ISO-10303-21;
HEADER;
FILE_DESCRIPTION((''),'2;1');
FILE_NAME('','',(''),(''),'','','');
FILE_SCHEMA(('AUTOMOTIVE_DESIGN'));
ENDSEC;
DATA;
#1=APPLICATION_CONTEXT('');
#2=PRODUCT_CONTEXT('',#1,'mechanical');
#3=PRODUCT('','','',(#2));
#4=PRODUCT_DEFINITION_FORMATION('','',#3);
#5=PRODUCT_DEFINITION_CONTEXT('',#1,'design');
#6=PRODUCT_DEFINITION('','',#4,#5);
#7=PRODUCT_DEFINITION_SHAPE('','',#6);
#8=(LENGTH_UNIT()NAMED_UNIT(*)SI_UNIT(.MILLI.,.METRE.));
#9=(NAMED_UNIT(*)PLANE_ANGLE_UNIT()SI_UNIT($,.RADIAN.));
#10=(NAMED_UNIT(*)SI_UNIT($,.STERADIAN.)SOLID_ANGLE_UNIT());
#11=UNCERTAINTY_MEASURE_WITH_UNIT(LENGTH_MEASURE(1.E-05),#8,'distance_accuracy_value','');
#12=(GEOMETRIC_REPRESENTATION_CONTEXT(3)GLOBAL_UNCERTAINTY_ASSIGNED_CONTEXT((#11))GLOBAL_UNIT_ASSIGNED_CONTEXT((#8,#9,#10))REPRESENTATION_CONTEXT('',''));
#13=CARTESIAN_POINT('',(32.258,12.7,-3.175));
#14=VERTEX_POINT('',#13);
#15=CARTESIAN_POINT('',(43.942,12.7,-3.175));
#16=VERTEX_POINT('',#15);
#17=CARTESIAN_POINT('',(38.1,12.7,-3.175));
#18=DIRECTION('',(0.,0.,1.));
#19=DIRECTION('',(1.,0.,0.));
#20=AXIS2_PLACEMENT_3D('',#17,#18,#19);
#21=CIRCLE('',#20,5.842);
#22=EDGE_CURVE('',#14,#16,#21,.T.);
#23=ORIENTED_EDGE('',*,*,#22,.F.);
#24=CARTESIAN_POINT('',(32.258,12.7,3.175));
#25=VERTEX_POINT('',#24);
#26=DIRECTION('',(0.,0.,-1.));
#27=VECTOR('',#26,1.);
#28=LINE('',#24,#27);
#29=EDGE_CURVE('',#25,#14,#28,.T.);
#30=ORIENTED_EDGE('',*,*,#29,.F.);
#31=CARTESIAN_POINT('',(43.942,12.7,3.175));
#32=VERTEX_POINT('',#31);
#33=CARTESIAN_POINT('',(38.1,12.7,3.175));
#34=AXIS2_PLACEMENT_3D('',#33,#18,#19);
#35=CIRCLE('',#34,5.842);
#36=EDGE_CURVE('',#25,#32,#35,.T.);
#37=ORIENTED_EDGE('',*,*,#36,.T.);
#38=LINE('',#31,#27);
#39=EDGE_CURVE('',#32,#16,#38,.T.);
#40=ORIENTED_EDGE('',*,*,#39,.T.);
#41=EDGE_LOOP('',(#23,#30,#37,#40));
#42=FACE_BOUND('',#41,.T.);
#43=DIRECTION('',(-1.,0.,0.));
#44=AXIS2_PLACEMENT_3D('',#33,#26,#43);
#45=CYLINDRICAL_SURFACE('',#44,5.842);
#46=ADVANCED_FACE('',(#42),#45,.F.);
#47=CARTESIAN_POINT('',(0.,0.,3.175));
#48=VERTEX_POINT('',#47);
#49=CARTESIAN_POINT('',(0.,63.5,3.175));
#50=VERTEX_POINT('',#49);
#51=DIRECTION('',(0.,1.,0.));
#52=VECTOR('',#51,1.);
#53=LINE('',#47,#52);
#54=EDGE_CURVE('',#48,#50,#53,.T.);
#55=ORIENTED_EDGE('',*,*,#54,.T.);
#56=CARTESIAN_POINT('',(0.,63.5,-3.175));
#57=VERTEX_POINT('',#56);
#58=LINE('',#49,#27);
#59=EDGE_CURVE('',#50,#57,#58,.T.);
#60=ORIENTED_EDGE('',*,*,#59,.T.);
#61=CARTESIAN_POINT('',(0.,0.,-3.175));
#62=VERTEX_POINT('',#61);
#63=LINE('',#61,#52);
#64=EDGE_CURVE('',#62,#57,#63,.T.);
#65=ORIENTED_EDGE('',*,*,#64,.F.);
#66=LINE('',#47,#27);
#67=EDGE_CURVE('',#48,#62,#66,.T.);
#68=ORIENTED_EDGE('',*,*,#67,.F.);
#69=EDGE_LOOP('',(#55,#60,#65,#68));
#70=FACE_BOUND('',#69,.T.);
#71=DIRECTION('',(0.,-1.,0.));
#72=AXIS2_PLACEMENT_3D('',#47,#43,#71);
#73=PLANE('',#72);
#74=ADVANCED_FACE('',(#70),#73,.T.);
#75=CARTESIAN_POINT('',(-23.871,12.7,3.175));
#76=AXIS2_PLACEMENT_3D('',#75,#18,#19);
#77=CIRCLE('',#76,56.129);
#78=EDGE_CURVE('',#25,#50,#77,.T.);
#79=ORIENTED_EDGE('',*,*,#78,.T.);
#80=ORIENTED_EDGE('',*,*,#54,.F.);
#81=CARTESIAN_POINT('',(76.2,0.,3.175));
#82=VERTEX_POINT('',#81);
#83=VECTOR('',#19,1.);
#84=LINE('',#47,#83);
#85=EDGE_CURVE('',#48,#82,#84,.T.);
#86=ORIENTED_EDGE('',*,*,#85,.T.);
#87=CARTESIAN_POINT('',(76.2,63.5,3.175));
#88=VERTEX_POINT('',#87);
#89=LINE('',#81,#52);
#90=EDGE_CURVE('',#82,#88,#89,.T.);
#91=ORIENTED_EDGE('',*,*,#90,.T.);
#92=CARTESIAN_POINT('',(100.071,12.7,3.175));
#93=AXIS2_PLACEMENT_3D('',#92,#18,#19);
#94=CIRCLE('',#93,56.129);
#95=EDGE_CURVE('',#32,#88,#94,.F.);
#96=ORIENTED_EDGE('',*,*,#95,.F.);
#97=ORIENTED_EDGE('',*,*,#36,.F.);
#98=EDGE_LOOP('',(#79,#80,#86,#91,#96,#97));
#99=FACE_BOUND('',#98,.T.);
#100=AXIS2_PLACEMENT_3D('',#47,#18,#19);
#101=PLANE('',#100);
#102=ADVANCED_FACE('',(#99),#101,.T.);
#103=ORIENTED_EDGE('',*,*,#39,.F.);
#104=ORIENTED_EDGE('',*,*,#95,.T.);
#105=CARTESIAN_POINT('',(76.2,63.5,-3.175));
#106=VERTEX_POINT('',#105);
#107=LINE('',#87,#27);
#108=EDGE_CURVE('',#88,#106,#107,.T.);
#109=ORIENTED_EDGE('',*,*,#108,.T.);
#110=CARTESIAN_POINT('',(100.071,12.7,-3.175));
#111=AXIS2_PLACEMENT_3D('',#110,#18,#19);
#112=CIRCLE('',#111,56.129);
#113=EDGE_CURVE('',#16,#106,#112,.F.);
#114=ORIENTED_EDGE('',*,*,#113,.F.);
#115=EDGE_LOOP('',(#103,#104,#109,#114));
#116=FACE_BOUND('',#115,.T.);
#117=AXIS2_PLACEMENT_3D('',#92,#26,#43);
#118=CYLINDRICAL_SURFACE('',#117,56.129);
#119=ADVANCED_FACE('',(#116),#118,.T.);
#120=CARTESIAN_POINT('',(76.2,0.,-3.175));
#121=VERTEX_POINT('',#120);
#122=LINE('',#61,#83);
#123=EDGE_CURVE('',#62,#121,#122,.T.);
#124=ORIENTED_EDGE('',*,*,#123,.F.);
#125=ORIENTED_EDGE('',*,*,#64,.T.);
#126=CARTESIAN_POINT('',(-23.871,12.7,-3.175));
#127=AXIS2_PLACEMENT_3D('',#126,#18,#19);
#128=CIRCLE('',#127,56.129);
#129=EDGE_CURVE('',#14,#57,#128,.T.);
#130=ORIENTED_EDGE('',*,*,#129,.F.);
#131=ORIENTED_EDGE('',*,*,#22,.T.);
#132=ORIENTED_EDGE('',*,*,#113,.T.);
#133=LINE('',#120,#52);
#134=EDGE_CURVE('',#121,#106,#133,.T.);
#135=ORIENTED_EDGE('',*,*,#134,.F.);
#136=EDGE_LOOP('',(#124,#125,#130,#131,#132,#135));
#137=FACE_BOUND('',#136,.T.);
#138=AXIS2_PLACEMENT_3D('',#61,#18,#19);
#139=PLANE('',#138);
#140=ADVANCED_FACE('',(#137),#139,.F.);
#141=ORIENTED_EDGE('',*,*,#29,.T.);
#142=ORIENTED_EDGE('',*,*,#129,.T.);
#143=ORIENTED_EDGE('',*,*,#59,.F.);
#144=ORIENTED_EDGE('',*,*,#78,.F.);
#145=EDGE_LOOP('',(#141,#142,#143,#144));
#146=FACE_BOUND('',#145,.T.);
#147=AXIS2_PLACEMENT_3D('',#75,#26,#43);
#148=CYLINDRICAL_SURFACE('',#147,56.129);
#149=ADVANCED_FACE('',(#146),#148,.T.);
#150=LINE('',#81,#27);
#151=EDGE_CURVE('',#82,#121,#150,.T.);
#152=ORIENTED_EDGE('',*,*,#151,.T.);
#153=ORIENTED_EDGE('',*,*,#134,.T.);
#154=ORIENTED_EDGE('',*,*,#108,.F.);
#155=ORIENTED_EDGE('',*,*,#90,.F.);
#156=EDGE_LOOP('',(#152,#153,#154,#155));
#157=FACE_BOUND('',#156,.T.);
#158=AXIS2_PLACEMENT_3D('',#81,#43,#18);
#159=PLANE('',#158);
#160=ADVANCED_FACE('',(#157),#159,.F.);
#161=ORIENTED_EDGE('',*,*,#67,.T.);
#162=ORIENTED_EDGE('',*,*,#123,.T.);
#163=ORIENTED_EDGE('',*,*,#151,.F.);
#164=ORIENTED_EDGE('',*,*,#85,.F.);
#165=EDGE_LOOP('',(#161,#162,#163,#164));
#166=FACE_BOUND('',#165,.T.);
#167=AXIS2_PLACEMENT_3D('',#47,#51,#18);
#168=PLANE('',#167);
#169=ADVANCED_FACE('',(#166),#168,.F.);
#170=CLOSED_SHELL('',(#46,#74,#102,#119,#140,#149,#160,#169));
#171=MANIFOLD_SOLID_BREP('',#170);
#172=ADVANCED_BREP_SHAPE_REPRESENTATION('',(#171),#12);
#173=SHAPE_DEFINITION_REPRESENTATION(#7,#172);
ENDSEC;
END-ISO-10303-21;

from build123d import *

# Parameters (mm, degrees)
BOSS_EXTRUDE2_DEPTH = 3.175


with BuildPart() as part:
    # Sketch1 → Boss-Extrude2 (new, symmetric)
    with BuildSketch(Plane.XY):
        with BuildLine():
            Line((76.2, 0), (76.2, 6.35))
            Line((76.2, 6.35), (76.2, 63.5))
            ThreePointArc((76.2, 63.5), (52.687880643, 42.788280792), (43.942, 12.7))
            ThreePointArc((43.942, 12.7), (38.1, 6.858), (32.258, 12.7))
            ThreePointArc((32.258, 12.7), (23.512119357, 42.788280792), (0, 63.5))
            Line((0, 63.5), (0, 6.35))
            Line((0, 6.35), (0, 0))
            Line((0, 0), (76.2, 0))
        make_face()
    extrude(amount=BOSS_EXTRUDE2_DEPTH, both=True)


solid = part.part
